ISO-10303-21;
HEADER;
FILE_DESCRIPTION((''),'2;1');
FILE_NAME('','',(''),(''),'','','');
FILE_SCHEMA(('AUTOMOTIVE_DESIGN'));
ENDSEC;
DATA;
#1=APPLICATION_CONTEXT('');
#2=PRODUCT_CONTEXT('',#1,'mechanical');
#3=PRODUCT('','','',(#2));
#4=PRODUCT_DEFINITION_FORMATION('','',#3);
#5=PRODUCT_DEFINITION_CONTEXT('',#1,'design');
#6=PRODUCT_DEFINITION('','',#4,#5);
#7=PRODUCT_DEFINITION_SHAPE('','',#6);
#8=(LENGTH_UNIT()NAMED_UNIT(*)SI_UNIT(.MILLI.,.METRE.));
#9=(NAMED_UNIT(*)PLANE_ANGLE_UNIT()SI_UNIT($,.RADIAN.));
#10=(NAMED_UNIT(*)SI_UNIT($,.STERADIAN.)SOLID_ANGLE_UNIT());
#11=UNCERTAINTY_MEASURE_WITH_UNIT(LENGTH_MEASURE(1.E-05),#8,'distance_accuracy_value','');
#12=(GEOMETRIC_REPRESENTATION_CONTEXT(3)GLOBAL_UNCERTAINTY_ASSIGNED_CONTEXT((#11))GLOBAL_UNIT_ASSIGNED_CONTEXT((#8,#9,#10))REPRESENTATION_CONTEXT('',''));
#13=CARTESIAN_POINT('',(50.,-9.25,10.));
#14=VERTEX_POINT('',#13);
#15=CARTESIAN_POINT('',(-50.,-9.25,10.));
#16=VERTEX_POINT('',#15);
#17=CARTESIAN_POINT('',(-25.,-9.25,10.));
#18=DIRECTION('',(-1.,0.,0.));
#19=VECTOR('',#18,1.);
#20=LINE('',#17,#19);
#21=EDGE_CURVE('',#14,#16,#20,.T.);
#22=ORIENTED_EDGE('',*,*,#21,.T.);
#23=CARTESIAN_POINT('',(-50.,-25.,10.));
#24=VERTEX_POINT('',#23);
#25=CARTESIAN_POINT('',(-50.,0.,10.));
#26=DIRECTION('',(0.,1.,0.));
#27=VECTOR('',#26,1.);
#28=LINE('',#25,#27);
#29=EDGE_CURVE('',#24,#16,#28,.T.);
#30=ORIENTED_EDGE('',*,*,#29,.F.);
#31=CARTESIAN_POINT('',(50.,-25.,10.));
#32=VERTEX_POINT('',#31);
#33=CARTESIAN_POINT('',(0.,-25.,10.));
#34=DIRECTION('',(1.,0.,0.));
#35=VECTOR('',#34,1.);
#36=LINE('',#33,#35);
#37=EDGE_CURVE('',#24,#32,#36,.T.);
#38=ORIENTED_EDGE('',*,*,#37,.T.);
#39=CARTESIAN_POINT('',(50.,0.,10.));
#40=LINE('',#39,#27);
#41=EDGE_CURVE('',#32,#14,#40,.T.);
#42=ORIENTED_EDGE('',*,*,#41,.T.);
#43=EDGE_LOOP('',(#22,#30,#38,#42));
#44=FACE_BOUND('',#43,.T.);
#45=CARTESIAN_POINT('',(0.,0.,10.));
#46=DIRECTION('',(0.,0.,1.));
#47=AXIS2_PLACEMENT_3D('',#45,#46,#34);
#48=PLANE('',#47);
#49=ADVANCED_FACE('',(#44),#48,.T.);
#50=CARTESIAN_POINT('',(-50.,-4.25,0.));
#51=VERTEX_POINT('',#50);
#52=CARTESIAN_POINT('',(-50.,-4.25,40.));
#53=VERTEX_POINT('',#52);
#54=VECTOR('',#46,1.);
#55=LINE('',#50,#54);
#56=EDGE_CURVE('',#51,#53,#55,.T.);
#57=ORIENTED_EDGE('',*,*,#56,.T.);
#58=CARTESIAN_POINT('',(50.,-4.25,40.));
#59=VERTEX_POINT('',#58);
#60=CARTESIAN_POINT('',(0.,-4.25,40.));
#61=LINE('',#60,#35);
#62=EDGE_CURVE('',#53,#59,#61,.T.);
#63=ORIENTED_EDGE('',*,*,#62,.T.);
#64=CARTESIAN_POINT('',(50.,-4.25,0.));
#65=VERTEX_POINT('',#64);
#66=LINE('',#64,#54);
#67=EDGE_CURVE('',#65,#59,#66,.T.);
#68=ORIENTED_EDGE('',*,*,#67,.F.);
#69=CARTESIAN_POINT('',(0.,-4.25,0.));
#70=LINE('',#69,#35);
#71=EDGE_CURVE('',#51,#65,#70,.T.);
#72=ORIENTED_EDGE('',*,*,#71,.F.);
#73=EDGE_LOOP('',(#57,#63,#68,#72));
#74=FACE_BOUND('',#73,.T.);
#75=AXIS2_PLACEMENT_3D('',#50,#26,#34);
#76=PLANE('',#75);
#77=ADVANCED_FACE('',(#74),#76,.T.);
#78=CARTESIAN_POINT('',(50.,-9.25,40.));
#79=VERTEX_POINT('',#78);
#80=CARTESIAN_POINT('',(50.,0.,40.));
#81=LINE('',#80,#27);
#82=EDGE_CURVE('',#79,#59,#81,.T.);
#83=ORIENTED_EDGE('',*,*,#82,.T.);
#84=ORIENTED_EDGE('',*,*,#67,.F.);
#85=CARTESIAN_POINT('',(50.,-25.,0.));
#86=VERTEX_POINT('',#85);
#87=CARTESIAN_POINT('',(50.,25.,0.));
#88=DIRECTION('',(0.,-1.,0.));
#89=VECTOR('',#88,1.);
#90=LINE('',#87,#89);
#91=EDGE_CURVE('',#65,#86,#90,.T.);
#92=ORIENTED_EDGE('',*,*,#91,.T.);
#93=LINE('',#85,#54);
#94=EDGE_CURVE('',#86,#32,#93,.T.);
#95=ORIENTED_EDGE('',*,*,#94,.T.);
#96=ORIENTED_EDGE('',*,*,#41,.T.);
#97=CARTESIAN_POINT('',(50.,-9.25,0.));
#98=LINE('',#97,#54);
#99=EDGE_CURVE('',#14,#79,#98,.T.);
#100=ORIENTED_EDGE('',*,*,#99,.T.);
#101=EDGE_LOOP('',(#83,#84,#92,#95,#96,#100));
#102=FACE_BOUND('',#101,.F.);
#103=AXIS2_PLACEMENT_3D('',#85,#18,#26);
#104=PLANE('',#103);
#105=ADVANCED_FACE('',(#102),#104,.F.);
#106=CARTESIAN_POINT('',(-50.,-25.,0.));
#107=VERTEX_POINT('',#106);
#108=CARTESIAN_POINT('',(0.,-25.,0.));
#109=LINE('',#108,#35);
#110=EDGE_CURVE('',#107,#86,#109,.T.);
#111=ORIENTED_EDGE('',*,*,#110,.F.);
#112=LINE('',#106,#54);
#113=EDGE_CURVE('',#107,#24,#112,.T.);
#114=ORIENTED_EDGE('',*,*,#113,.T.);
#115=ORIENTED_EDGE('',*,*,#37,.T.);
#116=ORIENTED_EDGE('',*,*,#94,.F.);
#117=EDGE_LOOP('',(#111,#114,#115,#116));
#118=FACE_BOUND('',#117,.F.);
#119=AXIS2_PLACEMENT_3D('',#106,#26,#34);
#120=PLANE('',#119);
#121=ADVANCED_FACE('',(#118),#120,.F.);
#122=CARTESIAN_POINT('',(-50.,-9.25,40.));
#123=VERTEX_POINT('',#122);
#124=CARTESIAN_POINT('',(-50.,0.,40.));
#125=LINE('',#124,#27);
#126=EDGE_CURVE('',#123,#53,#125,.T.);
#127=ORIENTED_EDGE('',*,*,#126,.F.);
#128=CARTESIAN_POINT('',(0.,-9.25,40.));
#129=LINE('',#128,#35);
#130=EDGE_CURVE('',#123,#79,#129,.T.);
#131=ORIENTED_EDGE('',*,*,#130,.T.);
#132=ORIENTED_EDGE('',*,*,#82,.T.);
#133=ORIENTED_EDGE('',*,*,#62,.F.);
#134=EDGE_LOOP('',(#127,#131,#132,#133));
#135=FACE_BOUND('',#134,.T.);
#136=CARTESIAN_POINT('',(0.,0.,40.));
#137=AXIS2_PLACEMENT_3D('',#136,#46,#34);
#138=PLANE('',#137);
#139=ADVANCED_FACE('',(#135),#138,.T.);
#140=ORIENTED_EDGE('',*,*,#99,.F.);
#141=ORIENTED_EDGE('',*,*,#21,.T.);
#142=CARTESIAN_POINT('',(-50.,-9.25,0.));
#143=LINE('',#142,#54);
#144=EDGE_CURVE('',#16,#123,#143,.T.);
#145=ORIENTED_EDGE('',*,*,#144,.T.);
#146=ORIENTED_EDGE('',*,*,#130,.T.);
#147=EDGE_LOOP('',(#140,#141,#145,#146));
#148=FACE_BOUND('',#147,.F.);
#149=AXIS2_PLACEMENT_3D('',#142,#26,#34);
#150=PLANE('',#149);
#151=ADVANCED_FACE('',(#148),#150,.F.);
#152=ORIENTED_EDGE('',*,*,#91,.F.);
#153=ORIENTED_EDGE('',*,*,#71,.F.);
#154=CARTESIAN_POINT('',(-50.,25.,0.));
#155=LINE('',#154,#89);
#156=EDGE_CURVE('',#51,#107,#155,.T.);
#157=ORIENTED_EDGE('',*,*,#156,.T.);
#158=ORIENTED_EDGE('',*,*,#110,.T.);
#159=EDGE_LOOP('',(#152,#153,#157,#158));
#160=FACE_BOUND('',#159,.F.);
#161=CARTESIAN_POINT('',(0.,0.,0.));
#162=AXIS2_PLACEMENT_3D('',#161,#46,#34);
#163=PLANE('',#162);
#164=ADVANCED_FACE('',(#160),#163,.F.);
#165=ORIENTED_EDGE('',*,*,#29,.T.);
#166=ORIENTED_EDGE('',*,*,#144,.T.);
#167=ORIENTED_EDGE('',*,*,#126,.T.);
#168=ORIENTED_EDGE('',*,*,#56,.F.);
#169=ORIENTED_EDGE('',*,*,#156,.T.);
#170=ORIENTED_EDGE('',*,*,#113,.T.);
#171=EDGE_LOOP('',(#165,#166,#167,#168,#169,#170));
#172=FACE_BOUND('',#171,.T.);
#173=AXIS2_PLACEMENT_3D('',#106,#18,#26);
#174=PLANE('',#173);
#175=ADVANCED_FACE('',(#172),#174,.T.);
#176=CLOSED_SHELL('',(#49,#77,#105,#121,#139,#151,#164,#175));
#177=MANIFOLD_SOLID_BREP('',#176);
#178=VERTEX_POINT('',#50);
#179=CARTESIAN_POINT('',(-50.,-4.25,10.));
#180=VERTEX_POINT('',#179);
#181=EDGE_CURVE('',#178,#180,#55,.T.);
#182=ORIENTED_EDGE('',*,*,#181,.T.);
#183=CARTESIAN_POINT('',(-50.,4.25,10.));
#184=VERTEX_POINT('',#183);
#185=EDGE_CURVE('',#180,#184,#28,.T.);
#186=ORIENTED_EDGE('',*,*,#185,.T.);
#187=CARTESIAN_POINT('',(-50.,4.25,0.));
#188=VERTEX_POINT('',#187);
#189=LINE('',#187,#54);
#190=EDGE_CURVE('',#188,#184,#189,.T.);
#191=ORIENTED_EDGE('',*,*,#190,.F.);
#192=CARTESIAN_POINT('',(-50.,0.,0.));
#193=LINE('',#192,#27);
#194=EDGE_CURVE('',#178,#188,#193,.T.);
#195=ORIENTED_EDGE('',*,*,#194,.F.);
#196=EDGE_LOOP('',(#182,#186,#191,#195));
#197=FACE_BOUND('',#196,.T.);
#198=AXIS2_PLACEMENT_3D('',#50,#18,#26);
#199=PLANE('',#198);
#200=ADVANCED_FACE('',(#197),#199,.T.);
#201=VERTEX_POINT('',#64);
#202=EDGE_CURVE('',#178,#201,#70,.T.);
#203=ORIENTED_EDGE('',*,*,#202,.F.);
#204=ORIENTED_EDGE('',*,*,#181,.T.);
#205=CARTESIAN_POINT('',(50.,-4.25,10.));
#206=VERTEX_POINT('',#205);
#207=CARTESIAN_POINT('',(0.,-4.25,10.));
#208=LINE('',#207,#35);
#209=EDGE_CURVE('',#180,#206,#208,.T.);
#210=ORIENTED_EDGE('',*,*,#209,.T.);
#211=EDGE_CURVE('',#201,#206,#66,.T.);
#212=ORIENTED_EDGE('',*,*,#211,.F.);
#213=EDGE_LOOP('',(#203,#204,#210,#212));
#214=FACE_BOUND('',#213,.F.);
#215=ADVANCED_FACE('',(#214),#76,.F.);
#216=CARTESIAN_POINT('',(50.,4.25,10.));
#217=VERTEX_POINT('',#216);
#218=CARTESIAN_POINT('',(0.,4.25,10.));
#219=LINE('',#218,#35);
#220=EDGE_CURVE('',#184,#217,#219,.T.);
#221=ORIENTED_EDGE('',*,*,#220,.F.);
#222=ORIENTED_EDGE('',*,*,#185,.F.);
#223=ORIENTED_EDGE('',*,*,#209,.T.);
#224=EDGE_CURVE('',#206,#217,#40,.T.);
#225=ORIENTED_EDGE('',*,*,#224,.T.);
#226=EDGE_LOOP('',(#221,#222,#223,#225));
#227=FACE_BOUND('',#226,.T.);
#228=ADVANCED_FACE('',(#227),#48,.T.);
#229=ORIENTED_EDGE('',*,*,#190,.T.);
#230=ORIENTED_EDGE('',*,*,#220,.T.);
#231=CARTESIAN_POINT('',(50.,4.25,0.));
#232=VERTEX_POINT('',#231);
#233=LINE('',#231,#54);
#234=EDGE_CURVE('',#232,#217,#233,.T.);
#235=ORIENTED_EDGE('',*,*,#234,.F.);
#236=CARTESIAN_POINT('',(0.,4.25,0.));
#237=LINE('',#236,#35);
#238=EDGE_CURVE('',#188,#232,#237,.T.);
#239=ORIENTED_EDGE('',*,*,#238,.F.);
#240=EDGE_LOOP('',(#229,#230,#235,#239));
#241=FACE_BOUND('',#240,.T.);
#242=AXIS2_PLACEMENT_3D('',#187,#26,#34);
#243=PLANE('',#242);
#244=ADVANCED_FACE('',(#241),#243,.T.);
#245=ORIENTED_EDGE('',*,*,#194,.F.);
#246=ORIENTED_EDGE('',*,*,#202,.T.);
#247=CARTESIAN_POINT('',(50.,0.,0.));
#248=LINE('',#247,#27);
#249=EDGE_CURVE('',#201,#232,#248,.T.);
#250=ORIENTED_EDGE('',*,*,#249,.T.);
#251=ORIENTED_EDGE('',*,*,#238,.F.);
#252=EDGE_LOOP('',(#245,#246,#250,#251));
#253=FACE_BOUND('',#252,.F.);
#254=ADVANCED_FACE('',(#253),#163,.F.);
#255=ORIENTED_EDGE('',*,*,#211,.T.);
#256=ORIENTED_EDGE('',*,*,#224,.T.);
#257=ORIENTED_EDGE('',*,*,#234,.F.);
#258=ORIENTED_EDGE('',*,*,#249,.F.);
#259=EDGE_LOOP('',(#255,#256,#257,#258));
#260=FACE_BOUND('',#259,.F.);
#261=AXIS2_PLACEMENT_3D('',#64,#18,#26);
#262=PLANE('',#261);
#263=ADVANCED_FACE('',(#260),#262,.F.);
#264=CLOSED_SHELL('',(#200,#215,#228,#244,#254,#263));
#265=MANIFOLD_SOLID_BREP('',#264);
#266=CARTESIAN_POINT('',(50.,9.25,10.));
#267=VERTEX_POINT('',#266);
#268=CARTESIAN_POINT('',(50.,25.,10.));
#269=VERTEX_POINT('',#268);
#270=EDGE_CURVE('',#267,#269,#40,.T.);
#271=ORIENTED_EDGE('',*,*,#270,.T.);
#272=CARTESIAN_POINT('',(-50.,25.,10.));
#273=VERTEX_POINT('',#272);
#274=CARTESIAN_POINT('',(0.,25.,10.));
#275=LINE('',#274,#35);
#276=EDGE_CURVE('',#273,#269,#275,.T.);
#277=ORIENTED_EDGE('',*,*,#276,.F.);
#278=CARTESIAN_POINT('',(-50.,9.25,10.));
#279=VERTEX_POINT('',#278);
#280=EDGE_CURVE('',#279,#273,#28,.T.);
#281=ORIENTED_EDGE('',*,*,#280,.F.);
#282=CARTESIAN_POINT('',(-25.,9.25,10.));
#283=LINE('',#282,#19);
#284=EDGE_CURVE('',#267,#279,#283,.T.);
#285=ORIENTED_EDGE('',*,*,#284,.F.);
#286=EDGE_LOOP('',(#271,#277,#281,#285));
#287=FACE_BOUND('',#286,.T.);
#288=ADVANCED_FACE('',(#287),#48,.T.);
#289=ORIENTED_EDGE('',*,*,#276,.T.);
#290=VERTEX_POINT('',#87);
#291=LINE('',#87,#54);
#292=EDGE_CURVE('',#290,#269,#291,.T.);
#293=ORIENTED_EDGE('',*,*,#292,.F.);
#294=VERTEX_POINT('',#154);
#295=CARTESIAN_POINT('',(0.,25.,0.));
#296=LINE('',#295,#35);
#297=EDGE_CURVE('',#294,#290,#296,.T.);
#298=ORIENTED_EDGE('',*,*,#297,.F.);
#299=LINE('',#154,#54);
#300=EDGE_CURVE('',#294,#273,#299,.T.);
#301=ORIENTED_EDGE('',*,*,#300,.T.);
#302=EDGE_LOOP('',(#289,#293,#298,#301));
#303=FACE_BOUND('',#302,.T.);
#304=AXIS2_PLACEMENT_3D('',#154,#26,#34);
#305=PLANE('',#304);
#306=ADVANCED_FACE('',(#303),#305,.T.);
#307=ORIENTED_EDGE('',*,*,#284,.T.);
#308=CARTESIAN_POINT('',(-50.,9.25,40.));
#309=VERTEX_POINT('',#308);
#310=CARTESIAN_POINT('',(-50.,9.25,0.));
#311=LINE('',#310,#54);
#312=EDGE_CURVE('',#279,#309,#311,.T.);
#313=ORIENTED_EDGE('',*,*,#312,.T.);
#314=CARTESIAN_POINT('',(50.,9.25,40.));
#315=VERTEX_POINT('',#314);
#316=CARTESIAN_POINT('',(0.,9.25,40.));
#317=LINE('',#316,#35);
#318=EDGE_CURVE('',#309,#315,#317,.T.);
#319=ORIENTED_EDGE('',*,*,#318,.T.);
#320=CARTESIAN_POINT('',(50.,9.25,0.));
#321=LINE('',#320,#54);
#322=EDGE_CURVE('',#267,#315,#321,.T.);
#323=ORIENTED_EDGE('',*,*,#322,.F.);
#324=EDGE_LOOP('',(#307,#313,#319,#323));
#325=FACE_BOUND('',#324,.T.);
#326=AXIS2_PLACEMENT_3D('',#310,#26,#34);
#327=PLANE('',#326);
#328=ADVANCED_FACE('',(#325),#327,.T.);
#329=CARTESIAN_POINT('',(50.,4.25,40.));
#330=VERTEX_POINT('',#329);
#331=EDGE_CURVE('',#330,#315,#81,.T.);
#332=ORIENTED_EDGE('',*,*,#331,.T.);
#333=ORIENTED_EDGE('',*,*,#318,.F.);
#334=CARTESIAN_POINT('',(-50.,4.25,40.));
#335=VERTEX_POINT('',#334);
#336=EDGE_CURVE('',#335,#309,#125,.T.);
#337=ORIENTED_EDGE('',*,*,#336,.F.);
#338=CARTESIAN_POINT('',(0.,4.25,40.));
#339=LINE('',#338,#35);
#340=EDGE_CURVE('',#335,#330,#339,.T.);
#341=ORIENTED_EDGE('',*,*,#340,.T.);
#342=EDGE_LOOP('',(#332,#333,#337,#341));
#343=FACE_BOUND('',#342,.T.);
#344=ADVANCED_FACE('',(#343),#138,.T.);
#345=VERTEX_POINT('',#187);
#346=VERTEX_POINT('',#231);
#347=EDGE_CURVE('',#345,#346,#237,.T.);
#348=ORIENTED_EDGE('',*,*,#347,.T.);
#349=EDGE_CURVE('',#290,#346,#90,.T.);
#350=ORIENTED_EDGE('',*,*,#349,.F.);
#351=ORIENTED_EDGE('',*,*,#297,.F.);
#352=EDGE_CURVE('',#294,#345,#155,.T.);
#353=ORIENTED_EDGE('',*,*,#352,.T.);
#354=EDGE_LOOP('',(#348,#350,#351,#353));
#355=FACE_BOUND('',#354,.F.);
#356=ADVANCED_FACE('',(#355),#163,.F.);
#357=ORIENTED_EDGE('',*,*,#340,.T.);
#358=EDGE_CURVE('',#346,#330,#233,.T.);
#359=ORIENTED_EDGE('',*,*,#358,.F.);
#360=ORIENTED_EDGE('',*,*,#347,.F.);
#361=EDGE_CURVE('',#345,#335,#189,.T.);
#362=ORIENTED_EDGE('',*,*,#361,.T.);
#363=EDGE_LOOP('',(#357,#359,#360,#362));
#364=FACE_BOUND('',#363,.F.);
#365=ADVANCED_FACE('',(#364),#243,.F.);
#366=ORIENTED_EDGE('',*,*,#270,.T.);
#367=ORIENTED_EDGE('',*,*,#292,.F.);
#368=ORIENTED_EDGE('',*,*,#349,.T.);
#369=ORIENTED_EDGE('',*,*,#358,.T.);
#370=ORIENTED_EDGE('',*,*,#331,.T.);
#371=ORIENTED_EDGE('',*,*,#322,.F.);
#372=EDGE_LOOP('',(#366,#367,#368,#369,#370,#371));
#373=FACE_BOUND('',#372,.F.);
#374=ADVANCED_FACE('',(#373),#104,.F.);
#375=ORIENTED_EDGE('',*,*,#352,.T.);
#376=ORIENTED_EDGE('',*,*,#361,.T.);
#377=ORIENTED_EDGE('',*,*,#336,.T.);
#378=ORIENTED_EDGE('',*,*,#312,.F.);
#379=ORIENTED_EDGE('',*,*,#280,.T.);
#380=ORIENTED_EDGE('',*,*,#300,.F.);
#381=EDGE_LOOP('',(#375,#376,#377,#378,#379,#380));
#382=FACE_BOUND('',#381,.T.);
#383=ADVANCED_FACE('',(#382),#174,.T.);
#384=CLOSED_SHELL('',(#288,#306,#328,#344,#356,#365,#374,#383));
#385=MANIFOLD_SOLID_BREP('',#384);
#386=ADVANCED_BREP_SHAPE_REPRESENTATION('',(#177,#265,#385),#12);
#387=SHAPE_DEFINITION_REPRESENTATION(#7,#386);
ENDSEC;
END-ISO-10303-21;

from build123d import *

# Parameters (mm, degrees)
F0_W     = 100
F0_H     = 50
F1_DEPTH = 10
F2_W     = 100
F2_H     = 18.5
F3_DEPTH = 40
F4_W     = 100
F4_H     = 8.5
F5_DEPTH = 40
F6_DEPTH = 10


with BuildPart() as f1:
    # F0 (on Top) → F1 (new body)
    with BuildSketch(Plane.XY):
        Rectangle(F0_W, F0_H)
    extrude(amount=F1_DEPTH)

    # F2 (on Top) → F3 (join)
    with BuildSketch(Plane.XY):
        Rectangle(F2_W, F2_H)
    extrude(amount=F3_DEPTH)

    # F4 (on Top) → F5 (cut)
    with BuildSketch(Plane.XY):
        Rectangle(F4_W, F4_H)
    extrude(amount=F5_DEPTH, mode=Mode.SUBTRACT)


with BuildPart() as f6:
    # F4 (on Top) → F6 (new body)
    with BuildSketch(Plane.XY):
        Rectangle(F4_W, F4_H)
    extrude(amount=F6_DEPTH)


solid = Compound([f1.part, f6.part])
